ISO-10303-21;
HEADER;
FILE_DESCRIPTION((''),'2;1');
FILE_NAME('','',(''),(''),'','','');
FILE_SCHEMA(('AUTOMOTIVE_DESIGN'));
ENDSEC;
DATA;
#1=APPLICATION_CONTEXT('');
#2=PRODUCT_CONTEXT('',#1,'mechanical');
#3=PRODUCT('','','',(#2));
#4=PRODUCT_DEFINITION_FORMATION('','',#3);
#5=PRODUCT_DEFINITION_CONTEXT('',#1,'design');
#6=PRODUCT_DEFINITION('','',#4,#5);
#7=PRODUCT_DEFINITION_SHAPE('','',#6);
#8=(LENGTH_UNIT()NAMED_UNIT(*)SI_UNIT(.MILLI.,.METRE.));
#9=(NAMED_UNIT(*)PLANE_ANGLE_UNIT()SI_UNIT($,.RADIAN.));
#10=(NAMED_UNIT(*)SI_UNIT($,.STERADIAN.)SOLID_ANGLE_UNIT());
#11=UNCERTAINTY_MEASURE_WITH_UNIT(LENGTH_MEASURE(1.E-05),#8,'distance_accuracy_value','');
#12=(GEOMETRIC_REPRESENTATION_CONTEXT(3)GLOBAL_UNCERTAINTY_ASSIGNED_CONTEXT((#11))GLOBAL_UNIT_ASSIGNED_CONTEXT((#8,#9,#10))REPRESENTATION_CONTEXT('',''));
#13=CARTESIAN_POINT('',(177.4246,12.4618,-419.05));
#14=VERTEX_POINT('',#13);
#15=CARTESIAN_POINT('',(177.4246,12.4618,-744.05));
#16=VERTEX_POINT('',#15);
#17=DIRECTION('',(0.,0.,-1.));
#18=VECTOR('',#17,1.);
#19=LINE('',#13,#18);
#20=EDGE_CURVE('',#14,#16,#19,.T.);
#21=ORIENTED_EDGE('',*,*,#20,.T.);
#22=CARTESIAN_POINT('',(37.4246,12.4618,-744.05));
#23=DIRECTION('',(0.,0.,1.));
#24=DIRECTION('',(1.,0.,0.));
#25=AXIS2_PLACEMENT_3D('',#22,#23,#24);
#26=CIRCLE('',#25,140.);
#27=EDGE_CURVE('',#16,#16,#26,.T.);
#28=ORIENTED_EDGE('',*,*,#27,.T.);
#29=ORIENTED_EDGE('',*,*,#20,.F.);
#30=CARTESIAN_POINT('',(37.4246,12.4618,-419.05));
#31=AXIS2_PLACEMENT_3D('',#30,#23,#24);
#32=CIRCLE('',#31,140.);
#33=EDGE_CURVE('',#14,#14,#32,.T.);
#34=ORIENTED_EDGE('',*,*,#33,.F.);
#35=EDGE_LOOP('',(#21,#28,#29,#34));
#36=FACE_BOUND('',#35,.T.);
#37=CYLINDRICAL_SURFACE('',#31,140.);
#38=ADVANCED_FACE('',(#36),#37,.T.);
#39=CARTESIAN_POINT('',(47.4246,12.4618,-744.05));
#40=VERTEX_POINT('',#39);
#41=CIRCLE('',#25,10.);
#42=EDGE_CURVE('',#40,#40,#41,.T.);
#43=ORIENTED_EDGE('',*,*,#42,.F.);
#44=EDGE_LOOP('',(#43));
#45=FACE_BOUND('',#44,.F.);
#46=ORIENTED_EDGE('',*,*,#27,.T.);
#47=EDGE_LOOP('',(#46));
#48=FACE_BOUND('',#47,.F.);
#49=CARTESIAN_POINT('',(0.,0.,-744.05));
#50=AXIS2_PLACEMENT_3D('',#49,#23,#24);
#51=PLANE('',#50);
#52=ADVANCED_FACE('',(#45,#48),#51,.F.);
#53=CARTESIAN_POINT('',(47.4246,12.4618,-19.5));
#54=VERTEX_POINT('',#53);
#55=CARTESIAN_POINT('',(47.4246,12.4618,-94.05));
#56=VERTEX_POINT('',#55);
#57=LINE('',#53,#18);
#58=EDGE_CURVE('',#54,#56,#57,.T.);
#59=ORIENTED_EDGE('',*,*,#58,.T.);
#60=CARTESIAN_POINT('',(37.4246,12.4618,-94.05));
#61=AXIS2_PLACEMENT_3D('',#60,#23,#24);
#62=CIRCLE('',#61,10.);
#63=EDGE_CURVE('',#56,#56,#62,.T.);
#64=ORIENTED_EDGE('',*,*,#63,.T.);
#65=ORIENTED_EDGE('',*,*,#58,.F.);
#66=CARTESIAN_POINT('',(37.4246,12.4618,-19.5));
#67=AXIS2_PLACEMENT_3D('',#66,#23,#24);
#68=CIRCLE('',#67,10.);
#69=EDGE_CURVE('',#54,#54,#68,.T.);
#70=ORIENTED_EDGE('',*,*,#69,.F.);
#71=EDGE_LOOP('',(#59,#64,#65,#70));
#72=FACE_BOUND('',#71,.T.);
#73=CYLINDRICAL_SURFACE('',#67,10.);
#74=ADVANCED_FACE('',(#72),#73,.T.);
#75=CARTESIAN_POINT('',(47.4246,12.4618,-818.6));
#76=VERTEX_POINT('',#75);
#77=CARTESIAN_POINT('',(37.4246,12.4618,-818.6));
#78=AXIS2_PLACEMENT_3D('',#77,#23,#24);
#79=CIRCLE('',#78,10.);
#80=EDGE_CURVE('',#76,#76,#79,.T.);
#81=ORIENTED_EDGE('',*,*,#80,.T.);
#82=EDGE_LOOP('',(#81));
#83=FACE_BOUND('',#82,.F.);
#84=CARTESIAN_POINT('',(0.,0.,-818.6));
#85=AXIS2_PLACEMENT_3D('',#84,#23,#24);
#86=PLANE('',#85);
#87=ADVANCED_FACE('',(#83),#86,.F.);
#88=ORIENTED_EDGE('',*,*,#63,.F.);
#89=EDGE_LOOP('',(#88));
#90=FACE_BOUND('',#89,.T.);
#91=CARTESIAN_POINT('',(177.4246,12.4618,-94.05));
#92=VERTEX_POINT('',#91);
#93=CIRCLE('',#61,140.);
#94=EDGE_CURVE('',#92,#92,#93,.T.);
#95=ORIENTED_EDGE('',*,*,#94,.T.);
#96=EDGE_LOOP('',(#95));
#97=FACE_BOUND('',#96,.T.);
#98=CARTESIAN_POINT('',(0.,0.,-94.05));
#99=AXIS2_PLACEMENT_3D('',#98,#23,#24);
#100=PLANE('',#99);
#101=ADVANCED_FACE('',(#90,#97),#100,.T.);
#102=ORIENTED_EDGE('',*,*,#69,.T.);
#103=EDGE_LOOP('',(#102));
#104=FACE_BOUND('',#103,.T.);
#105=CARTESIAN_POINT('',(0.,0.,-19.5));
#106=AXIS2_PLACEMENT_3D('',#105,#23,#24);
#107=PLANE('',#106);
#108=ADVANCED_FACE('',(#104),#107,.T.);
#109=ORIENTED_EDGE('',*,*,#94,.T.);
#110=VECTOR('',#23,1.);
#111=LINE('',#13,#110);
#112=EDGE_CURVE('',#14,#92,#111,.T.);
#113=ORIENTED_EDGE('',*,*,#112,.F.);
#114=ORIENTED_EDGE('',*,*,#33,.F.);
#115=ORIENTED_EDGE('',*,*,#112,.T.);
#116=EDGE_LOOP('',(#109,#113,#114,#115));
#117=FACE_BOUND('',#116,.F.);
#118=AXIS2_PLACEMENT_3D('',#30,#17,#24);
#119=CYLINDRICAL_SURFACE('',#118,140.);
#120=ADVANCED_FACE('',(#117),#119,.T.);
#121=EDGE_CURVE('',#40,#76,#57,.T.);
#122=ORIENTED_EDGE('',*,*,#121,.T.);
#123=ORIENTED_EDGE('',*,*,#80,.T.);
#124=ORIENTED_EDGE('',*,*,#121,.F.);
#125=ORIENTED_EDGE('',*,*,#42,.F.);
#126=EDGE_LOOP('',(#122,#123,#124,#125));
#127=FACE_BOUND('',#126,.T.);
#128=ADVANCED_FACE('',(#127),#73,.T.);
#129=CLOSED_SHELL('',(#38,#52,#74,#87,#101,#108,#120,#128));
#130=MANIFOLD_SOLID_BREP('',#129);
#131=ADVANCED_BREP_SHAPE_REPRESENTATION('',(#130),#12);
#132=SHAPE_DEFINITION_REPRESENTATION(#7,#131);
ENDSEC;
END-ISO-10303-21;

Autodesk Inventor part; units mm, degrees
ref_plane "YZ Plane" through (0, 0, 0) normal (1, 0, 0) x (0, 1, 0)
ref_plane "XZ Plane" through (0, 0, 0) normal (0, 1, 0) x (-1, 0, 0)
ref_plane "XY Plane" through (0, 0, 0) normal (0, 0, 1) x (1, 0, 0)
ref_plane "Work Plane1" through (0, 0, -19.5) normal (0, 0, 1) x (1, 0, 0)
sketch "Sketch1" plane through (0, 0, -19.5) normal (0, 0, 1) x (1, 0, 0)
  circle A0 centre (37.4246, 12.4618) radius 10
  point P0 (0, 0)
  dimension "d0" = 20
ref_plane "Work Plane2" through (74.8493, 0, -818.6) normal (0, 0, -1) x (-1, 0, 0)
extrude "Extrusion1" add sketch "Sketch1" against normal up to surface (799.1 mm away)
ref_plane "Work Plane3" through (0, 0, -419.05) normal (0, 0, 1) x (1, 0, 0)
sketch "Sketch2" plane through (0, 0, -419.05) normal (0, 0, 1) x (1, 0, 0)
  circle A0 centre (37.4246, 12.4618) radius 10 projected
  circle A1 centre (37.4246, 12.4618) radius 140
  point P0 (0, 0)
  dimension "d3" = 280
extrude "Extrusion2" add sketch "Sketch2" along normal mid plane 650
properties part number "LONGI_BRUSH"
